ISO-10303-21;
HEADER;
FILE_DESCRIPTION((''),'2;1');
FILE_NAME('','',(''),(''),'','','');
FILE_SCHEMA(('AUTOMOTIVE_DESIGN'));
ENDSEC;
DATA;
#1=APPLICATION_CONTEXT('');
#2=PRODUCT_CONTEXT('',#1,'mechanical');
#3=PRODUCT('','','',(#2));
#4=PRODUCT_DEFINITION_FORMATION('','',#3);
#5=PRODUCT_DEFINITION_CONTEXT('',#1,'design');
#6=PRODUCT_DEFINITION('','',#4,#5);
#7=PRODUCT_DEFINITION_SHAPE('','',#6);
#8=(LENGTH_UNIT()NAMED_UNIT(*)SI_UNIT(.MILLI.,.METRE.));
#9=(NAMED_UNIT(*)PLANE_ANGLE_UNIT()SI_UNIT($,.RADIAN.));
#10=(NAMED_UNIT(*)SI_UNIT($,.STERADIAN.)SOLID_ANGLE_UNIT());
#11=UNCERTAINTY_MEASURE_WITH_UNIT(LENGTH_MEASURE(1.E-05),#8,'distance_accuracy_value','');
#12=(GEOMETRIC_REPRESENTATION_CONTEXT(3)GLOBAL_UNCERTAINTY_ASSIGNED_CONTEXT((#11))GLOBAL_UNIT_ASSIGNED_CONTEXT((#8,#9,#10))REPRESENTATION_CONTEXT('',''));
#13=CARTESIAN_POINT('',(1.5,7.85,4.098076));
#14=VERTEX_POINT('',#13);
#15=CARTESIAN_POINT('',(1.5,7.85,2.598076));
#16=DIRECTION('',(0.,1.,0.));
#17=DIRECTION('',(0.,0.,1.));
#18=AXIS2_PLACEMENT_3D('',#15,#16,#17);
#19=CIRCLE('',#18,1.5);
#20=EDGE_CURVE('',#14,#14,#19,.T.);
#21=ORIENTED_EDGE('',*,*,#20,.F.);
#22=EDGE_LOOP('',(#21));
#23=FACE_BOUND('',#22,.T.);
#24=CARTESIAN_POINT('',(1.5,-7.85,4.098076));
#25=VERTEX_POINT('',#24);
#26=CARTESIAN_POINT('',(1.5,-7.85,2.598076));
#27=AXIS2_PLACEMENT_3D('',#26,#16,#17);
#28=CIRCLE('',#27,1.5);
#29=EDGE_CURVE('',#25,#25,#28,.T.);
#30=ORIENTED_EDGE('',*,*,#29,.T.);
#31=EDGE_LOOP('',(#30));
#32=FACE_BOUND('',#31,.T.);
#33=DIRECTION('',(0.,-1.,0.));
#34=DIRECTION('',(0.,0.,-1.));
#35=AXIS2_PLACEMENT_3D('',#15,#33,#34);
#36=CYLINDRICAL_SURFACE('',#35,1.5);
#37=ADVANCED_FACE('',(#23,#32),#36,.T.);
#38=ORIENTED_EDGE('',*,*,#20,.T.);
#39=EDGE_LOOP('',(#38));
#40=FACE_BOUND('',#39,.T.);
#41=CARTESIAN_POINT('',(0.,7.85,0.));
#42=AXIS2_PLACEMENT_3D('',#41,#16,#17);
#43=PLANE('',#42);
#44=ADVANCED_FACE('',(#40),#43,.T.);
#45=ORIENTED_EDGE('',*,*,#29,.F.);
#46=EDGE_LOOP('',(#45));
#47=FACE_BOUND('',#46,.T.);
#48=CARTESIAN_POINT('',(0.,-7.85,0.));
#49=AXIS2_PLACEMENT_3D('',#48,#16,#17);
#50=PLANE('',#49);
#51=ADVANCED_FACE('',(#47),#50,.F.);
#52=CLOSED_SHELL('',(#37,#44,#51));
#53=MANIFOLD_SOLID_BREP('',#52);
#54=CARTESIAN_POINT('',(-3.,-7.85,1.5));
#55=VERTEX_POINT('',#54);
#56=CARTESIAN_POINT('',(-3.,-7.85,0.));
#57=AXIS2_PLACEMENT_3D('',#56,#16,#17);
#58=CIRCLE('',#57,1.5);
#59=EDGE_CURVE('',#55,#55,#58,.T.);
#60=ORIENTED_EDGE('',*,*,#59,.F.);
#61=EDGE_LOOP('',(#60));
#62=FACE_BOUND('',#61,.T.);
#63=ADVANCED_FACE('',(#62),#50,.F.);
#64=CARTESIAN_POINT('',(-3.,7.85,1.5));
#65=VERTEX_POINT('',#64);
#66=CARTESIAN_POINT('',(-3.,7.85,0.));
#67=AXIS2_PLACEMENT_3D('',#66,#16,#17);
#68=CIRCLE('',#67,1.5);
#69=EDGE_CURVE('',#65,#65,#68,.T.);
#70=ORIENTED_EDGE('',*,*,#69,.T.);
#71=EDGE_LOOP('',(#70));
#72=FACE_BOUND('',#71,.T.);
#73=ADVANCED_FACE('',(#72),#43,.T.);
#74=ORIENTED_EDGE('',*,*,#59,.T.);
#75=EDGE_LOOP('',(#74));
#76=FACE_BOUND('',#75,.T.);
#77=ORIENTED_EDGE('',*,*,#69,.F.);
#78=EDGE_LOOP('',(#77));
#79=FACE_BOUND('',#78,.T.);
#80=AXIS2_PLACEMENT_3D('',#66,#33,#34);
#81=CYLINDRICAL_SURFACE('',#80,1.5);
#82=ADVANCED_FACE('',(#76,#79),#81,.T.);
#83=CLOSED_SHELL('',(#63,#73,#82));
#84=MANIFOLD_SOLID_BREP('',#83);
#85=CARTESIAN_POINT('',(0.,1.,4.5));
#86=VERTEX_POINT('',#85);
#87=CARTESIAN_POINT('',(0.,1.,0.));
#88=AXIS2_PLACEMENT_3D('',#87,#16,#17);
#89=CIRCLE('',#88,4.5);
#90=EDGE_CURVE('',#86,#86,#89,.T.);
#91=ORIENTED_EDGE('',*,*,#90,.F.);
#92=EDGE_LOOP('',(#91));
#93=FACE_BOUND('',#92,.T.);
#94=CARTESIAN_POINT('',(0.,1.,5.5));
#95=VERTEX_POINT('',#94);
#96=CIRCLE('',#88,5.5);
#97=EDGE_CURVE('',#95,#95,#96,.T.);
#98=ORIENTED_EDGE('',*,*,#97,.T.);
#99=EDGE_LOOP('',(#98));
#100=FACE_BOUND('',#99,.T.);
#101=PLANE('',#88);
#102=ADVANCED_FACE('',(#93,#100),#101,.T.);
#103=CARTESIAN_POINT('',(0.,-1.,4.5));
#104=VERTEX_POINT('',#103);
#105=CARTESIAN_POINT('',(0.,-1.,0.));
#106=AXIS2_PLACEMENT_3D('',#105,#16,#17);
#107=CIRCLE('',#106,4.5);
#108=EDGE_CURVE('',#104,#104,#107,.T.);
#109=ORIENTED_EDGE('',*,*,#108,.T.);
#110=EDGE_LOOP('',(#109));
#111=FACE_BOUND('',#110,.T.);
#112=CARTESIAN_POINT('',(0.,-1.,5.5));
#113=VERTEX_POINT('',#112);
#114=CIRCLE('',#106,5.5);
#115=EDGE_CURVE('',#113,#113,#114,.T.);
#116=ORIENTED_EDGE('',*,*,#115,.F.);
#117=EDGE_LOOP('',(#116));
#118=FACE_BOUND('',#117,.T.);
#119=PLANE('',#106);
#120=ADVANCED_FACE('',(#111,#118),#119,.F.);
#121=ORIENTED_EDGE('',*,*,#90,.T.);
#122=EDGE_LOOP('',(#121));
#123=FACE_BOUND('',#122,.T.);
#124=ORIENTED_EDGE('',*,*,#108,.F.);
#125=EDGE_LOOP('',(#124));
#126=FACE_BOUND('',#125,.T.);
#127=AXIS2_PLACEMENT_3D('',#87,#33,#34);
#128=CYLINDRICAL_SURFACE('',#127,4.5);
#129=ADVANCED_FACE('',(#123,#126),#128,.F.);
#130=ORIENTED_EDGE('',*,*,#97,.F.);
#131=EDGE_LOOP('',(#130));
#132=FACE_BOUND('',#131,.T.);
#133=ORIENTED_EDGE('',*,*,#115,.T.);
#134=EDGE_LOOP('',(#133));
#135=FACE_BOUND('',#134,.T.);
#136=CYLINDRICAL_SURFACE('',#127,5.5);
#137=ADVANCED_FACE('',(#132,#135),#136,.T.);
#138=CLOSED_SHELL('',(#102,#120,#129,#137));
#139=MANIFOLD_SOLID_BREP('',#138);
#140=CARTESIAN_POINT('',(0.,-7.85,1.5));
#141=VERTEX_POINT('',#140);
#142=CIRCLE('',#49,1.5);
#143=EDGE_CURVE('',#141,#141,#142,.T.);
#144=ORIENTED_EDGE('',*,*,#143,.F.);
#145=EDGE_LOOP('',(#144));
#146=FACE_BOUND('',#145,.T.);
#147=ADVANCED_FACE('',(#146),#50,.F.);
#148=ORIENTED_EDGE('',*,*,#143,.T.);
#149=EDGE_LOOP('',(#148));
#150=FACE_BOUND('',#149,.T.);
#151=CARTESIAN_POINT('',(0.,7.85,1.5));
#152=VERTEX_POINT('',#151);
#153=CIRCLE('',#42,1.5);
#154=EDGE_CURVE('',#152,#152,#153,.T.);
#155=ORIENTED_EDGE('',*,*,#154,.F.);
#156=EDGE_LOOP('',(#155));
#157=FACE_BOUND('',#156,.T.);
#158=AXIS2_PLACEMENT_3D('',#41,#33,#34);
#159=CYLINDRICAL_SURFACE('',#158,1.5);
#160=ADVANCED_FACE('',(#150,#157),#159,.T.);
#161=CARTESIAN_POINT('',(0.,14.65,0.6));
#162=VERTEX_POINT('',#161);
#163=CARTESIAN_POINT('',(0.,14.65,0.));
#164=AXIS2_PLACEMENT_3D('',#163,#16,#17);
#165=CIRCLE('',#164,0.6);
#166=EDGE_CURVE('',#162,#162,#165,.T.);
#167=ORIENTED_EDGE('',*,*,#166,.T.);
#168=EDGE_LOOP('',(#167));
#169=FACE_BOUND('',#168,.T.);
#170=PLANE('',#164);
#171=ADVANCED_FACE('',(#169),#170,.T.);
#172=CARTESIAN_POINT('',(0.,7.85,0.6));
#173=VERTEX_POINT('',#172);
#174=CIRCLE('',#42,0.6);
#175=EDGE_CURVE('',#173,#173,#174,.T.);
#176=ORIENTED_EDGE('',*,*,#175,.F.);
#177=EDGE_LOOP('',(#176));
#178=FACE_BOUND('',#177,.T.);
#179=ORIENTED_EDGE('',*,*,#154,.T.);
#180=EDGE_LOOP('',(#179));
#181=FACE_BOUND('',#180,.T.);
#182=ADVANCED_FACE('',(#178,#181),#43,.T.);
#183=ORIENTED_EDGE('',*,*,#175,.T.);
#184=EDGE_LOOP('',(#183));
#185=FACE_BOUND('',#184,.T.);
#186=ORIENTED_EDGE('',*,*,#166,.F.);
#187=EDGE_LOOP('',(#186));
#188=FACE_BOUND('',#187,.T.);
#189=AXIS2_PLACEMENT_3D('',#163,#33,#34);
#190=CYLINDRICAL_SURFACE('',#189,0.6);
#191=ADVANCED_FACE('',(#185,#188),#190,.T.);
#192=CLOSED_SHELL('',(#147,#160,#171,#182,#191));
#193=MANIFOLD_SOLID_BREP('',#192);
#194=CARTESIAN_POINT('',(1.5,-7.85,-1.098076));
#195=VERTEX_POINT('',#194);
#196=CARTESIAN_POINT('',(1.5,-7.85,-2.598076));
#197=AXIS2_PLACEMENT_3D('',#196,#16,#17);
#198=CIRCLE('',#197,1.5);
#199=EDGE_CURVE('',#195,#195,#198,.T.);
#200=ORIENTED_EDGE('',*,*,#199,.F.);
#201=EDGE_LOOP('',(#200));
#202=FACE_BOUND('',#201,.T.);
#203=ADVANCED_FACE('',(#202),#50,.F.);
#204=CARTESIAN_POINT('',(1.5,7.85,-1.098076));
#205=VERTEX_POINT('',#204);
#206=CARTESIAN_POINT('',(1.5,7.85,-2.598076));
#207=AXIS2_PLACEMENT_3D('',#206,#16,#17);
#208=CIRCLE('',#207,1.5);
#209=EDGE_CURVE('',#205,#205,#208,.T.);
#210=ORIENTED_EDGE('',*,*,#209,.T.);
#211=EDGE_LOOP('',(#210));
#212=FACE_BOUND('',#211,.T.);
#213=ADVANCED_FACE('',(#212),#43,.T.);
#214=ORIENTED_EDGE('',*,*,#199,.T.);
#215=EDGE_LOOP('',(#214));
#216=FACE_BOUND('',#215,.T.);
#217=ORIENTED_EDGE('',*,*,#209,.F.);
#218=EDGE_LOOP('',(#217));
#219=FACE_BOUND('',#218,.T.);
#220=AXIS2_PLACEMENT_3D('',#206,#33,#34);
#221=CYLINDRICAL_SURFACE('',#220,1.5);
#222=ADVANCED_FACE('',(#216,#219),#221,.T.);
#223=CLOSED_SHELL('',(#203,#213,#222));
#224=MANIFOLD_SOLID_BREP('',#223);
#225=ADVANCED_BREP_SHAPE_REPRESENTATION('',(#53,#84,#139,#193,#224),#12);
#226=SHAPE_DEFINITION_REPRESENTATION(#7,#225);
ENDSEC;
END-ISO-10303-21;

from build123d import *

# Parameters (mm, degrees)
SKETCH1_R             = 1.5
BOSS_EXTRUDE1_DEPTH   = 7.85
BOSS_EXTRUDE1_2_DEPTH = 7.85
BOSS_EXTRUDE1_3_DEPTH = 7.85
BOSS_EXTRUDE1_4_DEPTH = 7.85
SKETCH3_R             = 5.5
SKETCH3_R_2           = 4.5
BOSS_EXTRUDE2_DEPTH   = 1
SKETCH4_R             = 0.6
BOSS_EXTRUDE3_DEPTH   = 6.8


with BuildPart() as part:
    # Sketch1 → Boss-Extrude1 (new, symmetric)
    with BuildSketch(Plane(origin=(0, 0, 0), x_dir=(1, 0, 0), z_dir=(0, 1, 0))):
        with Locations(Location((-3, 0, 0), (0, 0, 270))):
            Circle(SKETCH1_R)
    extrude(amount=BOSS_EXTRUDE1_DEPTH, both=True)


with BuildPart() as body_2:
    # Sketch1 → Boss-Extrude1 2 (new, symmetric)
    with BuildSketch(Plane(origin=(0, 0, 0), x_dir=(1, 0, 0), z_dir=(0, 1, 0))):
        with Locations(Location((0, 0, 0), (0, 0, 270))):
            Circle(SKETCH1_R)
    extrude(amount=BOSS_EXTRUDE1_2_DEPTH, both=True)

    # Sketch4 → Boss-Extrude3 (add)
    with BuildSketch(Plane(origin=(0, 7.85, 0), x_dir=(1, 0, 0), z_dir=(0, 1, 0))):
        with Locations(Location((0, 0, 0), (0, 0, 270))):
            Circle(SKETCH4_R)
    extrude(amount=BOSS_EXTRUDE3_DEPTH)


with BuildPart() as body_3:
    # Sketch1 → Boss-Extrude1 3 (new, symmetric)
    with BuildSketch(Plane(origin=(0, 0, 0), x_dir=(1, 0, 0), z_dir=(0, 1, 0))):
        with Locations(Location((1.5, 2.598076211, 0), (0, 0, 270))):
            Circle(SKETCH1_R)
    extrude(amount=BOSS_EXTRUDE1_3_DEPTH, both=True)


with BuildPart() as body_4:
    # Sketch1 → Boss-Extrude1 4 (new, symmetric)
    with BuildSketch(Plane(origin=(0, 0, 0), x_dir=(1, 0, 0), z_dir=(0, 1, 0))):
        with Locations(Location((1.5, -2.598076211, 0), (0, 0, 270))):
            Circle(SKETCH1_R)
    extrude(amount=BOSS_EXTRUDE1_4_DEPTH, both=True)


with BuildPart() as body_5:
    # Sketch3 → Boss-Extrude2 (new, symmetric)
    with BuildSketch(Plane(origin=(0, 0, 0), x_dir=(1, 0, 0), z_dir=(0, 1, 0))):
        with Locations(Location((0, 0, 0), (0, 0, 270))):
            Circle(SKETCH3_R)
        with Locations(Location((0, 0, 0), (0, 0, 270))):
            Circle(SKETCH3_R_2, mode=Mode.SUBTRACT)
    extrude(amount=BOSS_EXTRUDE2_DEPTH, both=True)


solid = Compound([part.part, body_2.part, body_3.part, body_4.part, body_5.part])
